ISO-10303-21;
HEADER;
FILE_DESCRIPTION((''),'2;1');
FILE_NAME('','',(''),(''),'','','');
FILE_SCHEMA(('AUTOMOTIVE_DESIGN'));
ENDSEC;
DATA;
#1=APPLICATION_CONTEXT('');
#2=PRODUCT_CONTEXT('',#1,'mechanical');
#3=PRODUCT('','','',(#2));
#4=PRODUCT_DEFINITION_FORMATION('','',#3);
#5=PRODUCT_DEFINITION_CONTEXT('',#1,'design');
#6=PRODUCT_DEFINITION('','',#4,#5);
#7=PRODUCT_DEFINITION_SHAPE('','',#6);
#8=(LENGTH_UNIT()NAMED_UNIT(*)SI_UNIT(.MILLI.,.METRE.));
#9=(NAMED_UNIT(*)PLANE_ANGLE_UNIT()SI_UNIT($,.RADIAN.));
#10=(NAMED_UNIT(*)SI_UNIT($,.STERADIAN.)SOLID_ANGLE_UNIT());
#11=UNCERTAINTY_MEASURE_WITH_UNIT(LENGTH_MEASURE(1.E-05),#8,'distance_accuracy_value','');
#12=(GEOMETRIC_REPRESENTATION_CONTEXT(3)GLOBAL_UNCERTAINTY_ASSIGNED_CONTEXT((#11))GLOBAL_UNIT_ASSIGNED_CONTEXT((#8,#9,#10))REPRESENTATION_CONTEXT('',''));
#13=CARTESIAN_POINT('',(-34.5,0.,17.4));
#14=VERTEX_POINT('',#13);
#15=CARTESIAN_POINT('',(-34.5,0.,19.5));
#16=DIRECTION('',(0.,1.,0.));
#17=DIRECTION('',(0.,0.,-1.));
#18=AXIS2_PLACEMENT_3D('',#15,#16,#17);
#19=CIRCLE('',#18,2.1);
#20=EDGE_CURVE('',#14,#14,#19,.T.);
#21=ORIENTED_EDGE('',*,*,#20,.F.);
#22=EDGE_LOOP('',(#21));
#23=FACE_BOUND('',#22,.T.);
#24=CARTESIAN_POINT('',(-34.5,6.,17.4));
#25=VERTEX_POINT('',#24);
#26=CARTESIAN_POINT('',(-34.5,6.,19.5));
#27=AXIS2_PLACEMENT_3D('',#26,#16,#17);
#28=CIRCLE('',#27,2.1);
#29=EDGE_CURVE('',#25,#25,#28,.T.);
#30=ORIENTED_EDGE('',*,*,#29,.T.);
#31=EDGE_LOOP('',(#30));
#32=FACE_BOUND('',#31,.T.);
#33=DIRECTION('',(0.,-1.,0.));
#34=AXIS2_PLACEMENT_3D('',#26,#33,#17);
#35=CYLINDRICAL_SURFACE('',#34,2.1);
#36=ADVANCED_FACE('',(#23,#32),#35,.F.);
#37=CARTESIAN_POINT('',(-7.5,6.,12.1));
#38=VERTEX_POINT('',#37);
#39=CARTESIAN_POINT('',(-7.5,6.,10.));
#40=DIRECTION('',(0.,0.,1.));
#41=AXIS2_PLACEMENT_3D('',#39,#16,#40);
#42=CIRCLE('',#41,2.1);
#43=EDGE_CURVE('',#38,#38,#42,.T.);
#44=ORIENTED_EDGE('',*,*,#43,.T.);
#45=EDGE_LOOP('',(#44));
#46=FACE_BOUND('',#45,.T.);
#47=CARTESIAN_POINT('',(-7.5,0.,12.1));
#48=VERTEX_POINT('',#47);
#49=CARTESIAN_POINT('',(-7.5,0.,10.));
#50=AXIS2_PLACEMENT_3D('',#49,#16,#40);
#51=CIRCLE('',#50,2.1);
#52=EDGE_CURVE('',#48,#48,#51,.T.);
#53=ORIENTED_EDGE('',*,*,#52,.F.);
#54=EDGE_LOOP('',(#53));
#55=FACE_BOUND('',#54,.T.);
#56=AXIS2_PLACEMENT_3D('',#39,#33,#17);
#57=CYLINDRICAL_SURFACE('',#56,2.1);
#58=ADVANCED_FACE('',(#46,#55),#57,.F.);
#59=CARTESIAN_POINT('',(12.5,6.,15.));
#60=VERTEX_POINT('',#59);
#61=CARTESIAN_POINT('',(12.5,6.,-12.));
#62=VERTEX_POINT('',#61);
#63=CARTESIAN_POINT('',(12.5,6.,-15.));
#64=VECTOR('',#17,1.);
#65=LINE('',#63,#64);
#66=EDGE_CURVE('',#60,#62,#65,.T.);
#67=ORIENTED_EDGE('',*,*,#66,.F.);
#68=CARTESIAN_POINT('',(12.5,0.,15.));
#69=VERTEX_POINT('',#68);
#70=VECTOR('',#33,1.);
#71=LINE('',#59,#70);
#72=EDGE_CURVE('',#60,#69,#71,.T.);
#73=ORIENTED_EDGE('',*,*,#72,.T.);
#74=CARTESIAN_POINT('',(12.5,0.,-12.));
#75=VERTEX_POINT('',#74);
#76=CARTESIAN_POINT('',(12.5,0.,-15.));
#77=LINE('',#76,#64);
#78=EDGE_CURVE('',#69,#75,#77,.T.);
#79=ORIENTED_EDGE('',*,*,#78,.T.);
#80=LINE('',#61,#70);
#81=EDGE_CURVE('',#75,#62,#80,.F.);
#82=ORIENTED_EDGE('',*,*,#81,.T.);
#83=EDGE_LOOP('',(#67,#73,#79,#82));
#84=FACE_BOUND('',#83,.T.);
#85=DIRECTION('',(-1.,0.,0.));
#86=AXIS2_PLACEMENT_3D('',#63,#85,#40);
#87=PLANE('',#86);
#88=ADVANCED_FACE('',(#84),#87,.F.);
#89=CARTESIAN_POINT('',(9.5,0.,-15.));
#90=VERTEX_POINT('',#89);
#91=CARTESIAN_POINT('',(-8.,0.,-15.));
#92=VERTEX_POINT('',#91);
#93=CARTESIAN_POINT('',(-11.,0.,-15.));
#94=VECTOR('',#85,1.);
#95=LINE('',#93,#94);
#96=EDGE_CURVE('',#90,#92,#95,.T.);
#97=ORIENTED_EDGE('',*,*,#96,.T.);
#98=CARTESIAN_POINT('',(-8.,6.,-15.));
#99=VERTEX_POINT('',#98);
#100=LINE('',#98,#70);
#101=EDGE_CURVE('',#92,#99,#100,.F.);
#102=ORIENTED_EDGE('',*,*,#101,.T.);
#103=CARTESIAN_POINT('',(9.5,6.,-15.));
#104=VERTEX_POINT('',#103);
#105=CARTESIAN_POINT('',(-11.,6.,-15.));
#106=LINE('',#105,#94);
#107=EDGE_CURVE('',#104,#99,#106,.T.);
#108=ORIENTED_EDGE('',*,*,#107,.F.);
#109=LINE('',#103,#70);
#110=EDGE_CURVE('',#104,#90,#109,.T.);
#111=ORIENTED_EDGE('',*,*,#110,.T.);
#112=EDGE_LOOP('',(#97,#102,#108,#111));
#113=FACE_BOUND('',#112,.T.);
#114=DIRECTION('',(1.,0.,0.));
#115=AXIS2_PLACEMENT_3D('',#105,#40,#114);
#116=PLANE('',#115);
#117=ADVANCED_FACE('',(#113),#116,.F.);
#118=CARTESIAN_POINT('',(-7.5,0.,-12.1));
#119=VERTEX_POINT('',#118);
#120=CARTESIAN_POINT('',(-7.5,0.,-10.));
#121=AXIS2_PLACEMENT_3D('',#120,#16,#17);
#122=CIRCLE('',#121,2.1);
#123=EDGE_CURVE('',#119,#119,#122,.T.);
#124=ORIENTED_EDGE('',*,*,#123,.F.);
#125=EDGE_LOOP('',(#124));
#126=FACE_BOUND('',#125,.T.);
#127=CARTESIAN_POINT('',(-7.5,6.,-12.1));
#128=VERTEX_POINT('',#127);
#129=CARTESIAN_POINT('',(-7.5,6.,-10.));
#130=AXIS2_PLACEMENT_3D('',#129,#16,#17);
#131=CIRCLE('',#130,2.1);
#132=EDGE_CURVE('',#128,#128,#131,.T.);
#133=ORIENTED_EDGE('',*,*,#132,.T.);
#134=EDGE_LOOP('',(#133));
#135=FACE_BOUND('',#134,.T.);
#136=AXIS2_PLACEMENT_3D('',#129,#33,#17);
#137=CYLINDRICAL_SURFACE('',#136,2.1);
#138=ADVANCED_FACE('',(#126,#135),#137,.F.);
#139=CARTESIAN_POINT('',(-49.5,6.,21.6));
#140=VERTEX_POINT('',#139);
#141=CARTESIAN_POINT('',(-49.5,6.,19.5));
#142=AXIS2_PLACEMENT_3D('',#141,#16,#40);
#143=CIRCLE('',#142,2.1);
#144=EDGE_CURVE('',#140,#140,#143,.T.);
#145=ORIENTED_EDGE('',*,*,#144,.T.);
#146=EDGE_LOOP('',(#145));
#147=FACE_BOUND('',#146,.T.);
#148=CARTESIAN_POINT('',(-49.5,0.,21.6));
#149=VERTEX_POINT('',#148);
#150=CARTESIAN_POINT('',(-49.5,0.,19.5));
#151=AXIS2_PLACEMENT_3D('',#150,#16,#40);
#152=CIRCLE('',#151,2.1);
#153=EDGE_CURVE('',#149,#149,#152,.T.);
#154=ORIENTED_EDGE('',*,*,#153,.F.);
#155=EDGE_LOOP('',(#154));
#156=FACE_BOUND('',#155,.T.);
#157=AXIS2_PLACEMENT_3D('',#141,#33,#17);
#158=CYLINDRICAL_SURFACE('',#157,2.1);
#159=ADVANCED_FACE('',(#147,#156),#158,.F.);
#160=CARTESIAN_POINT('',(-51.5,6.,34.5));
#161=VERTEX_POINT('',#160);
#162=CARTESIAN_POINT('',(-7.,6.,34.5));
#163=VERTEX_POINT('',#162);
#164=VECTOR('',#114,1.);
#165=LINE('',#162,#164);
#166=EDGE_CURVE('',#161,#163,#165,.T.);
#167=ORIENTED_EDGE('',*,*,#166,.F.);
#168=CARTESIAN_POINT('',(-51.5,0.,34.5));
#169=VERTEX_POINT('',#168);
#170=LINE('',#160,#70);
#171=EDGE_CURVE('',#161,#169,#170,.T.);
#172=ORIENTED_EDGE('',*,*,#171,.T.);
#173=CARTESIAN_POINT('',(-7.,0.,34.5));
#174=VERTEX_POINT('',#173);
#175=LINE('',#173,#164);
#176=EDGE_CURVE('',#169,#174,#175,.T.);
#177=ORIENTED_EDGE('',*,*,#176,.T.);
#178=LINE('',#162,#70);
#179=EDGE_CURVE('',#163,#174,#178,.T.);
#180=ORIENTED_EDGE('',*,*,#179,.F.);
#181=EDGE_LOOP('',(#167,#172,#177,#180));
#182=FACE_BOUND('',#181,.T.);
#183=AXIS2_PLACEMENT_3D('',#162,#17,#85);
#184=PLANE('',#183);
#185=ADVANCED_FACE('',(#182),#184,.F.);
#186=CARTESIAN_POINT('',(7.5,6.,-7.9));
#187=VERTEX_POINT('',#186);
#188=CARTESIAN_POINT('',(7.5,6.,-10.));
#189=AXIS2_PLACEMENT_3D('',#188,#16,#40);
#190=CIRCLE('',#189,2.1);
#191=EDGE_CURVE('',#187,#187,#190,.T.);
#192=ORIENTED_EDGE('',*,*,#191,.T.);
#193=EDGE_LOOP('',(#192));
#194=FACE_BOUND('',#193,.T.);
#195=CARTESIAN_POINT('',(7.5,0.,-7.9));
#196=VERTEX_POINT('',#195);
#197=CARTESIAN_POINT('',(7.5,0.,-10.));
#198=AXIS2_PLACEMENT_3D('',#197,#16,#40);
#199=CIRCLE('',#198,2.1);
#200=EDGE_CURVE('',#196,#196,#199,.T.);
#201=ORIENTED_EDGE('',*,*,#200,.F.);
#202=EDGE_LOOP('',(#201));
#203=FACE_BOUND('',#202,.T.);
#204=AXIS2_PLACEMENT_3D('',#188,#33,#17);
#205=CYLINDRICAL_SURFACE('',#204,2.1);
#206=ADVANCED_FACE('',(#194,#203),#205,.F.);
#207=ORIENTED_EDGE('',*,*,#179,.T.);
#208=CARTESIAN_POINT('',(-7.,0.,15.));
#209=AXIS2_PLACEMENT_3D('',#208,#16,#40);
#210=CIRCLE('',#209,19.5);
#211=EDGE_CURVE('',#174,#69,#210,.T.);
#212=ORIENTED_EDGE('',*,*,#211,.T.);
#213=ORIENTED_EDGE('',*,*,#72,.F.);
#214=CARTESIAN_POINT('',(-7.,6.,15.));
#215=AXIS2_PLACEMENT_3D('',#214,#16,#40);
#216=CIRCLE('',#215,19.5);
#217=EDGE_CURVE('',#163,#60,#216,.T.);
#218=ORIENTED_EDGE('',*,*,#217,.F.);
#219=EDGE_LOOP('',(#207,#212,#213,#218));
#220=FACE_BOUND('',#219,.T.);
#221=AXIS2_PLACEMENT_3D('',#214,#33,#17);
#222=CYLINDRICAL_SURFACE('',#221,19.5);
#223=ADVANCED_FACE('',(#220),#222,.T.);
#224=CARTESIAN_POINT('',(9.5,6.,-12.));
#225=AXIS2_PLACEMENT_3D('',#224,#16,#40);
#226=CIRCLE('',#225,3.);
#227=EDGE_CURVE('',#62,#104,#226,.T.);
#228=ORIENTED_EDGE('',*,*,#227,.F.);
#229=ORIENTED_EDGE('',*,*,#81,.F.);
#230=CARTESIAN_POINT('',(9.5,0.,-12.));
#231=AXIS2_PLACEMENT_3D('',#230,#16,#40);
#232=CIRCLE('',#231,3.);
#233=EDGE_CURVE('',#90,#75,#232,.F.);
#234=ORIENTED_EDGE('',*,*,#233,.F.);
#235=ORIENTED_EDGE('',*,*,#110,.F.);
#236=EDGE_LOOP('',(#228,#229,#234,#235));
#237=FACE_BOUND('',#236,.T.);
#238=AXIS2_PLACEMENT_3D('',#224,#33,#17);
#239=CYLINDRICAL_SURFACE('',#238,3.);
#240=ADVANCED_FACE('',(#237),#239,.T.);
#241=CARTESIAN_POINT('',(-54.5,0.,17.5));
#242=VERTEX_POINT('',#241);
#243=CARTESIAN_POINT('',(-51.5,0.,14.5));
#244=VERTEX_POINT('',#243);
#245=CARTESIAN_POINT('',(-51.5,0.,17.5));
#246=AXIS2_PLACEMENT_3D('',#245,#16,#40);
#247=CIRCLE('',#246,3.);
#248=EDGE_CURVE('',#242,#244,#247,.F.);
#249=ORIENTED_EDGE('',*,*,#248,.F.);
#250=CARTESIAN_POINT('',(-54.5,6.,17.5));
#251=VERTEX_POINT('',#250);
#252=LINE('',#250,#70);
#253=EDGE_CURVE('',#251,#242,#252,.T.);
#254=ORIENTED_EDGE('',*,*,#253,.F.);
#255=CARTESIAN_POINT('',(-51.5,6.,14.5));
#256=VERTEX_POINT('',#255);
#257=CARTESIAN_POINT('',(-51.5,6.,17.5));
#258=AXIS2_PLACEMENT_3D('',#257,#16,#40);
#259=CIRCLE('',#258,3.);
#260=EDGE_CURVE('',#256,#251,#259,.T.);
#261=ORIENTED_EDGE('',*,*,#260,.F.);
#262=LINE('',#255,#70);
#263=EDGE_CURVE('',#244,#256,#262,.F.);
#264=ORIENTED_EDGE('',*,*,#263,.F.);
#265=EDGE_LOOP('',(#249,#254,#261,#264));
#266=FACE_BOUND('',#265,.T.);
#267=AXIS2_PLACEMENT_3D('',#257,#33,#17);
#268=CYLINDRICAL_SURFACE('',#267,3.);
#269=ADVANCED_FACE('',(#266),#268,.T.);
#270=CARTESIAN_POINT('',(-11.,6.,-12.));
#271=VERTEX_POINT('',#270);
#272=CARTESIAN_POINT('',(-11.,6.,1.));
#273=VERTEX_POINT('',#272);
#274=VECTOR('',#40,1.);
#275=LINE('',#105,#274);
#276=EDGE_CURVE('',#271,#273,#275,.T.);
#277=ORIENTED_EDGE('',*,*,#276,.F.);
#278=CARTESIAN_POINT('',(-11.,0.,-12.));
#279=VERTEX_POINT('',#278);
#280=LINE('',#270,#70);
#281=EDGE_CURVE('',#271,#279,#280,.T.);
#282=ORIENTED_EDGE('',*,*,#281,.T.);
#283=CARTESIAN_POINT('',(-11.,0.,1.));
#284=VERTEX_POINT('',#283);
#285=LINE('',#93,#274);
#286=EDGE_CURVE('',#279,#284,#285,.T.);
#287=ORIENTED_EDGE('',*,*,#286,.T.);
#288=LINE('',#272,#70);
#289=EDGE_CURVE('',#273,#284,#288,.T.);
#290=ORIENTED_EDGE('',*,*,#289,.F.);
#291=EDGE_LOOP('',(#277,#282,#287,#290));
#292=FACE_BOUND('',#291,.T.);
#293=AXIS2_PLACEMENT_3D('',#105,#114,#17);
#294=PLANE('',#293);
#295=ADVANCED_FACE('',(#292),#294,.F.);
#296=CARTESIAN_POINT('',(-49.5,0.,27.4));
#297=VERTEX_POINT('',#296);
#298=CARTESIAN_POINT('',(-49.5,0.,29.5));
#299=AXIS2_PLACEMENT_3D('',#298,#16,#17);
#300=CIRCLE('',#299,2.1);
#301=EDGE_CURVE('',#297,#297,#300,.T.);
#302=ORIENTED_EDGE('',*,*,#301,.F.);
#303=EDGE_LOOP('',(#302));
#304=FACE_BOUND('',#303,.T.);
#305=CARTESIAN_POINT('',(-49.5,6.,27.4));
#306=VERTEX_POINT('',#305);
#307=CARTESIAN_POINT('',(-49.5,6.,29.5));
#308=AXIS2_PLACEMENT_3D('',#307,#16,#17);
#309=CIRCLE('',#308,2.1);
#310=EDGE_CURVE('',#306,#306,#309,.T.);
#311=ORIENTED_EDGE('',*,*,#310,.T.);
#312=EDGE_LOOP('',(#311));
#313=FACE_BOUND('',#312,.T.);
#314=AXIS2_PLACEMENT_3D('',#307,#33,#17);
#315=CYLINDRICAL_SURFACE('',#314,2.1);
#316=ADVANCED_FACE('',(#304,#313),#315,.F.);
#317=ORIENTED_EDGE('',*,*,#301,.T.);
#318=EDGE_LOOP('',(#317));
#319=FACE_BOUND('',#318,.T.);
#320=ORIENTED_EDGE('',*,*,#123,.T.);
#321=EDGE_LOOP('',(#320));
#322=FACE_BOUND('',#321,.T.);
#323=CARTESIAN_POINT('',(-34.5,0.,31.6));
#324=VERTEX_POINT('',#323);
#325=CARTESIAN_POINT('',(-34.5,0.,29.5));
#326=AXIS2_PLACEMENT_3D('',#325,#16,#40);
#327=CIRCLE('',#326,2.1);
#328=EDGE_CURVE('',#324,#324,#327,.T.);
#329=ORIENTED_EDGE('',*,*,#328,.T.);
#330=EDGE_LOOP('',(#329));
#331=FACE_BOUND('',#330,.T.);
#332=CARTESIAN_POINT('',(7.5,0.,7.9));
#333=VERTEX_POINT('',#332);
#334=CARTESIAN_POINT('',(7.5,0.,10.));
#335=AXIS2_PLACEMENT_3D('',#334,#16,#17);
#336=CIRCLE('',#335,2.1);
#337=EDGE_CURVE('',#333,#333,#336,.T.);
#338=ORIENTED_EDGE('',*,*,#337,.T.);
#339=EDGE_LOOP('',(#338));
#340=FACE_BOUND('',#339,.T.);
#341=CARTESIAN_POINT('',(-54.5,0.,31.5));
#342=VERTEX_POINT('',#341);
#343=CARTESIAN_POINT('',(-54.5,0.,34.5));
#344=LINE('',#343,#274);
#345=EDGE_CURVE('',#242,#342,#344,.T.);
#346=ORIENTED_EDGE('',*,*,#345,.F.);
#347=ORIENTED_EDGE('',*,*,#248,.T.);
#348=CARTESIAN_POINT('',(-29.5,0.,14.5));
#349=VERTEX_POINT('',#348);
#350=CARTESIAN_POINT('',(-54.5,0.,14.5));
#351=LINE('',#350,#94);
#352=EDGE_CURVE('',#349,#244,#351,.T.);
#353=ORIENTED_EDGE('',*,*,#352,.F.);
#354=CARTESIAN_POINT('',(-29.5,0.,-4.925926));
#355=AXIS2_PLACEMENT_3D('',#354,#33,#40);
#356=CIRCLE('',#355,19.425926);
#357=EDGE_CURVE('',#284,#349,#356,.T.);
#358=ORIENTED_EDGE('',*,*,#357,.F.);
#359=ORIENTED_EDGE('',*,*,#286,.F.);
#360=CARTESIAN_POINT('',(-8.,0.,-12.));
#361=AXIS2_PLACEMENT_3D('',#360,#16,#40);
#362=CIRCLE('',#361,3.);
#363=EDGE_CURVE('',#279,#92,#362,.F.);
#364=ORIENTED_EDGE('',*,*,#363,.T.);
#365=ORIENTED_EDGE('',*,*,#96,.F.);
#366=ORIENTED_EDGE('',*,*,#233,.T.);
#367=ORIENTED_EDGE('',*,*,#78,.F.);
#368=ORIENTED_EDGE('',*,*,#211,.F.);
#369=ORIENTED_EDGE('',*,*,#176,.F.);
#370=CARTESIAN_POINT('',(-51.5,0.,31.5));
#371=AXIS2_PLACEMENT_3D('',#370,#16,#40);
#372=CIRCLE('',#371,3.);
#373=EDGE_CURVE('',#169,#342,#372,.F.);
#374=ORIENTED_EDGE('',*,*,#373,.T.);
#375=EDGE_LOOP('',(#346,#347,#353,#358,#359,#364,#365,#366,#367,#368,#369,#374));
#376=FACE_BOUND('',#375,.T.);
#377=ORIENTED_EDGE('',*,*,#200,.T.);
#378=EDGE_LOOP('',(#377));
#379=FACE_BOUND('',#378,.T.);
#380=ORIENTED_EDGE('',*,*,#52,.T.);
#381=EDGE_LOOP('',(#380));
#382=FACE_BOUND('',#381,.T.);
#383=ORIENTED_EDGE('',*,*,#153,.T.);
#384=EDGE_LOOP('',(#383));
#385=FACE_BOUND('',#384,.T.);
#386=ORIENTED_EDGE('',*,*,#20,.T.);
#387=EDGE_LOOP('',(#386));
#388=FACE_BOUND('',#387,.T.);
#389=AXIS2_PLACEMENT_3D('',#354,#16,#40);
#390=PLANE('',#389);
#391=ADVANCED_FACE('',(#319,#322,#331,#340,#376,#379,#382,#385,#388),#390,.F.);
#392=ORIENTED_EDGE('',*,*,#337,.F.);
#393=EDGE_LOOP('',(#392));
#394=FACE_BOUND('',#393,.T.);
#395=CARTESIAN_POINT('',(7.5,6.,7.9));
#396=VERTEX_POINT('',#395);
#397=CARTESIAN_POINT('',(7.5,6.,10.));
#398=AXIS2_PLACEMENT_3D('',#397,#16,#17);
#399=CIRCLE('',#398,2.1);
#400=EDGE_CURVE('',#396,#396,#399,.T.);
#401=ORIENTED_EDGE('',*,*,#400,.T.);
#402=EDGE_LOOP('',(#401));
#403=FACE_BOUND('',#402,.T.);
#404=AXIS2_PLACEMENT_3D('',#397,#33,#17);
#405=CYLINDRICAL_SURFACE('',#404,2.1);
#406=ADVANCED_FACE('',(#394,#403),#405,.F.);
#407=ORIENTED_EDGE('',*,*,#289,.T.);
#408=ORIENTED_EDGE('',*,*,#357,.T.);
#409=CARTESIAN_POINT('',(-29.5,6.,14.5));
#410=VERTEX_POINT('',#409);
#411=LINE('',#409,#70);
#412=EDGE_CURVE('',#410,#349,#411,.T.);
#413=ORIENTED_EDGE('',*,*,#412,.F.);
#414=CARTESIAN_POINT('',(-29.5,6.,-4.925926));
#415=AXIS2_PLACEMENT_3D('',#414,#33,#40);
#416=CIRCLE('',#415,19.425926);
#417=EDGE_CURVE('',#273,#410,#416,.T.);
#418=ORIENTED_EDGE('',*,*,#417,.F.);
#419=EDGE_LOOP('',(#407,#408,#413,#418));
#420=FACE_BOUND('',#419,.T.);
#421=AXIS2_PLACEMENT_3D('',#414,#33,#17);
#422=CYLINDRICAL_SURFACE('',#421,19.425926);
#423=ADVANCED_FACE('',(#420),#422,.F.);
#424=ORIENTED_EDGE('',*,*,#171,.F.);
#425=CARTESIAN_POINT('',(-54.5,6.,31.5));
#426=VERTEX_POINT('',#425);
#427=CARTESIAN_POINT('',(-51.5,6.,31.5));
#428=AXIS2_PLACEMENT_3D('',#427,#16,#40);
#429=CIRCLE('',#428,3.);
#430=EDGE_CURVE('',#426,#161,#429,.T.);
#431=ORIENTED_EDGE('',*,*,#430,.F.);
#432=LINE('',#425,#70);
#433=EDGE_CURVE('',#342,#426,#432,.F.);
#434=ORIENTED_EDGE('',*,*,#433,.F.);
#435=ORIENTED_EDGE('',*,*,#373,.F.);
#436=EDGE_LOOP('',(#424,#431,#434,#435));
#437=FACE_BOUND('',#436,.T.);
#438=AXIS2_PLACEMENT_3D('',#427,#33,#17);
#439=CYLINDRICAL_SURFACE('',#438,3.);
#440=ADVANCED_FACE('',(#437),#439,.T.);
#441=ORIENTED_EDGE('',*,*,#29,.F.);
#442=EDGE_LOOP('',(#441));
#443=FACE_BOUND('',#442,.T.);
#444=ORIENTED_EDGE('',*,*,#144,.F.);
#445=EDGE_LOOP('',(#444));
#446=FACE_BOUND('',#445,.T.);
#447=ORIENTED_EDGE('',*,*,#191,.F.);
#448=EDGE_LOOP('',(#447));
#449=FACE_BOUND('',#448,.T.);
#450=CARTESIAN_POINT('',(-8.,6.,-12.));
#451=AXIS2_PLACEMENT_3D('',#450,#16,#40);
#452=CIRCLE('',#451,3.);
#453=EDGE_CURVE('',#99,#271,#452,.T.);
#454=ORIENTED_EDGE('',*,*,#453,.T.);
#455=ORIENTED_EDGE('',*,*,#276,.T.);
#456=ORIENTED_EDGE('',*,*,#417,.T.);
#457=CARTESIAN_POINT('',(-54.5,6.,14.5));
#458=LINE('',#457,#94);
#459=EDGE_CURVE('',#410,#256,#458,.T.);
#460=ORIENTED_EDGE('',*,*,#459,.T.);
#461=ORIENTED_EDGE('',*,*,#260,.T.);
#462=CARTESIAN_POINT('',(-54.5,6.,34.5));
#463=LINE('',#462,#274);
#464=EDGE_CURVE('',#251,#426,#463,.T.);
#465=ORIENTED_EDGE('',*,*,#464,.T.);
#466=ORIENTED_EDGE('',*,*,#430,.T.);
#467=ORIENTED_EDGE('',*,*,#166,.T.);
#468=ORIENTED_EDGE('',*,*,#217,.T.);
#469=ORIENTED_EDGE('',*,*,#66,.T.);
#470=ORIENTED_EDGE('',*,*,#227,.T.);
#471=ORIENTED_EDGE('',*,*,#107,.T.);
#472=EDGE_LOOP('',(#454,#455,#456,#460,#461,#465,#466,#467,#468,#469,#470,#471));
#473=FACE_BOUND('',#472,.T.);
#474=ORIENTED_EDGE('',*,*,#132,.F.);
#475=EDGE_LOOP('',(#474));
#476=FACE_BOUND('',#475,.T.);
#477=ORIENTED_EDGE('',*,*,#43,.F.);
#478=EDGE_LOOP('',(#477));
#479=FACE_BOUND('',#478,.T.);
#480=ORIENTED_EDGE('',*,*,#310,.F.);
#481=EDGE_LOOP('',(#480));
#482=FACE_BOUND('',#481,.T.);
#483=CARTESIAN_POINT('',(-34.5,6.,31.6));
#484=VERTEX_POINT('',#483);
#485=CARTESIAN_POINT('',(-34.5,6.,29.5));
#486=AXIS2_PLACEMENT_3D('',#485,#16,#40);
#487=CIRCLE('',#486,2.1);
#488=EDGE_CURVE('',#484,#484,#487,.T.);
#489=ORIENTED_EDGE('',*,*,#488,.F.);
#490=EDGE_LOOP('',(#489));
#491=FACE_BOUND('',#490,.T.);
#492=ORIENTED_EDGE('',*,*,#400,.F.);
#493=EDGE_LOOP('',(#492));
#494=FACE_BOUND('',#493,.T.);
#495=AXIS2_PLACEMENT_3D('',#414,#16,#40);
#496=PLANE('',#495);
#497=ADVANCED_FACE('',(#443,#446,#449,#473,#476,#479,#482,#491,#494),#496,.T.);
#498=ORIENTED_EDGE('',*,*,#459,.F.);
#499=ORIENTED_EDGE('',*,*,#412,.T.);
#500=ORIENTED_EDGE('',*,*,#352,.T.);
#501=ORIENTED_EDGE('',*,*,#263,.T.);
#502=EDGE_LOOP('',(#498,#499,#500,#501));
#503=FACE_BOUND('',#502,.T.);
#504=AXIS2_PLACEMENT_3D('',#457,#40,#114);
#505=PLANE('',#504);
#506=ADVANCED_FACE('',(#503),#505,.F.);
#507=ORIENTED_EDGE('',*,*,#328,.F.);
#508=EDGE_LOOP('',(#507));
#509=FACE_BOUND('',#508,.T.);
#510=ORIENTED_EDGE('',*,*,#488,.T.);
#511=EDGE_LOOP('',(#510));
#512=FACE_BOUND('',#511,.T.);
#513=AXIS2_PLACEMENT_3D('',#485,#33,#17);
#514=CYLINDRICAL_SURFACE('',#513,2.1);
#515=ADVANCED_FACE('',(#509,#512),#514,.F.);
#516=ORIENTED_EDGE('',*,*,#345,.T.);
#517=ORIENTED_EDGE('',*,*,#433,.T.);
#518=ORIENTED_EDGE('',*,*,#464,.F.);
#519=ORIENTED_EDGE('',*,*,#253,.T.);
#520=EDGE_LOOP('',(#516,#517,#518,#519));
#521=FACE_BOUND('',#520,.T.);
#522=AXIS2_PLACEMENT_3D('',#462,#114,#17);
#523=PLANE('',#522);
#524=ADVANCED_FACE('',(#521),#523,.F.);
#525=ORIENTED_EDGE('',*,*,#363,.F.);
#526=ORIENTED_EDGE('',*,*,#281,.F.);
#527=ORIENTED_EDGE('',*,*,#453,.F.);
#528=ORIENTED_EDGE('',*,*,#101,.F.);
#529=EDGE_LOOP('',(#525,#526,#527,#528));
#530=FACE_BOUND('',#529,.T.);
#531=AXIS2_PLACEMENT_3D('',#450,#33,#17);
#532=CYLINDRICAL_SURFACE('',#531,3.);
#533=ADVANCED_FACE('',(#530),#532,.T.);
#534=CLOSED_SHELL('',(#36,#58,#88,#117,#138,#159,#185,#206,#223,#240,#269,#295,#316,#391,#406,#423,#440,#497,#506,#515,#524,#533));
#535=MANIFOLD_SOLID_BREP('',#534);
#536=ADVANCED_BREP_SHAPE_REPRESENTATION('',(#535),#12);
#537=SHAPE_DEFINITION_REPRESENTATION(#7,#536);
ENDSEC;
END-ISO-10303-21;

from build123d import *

# Parameters (mm, degrees)
SKETCH_1_R      = 2.1
EXTRUDE_1_DEPTH = 6
FILLET_1_R      = 3


with BuildPart() as part:
    # 草图1 → 凸台-拉伸1 (new body)
    with BuildSketch(Plane(origin=(0, 0, 0), x_dir=(1, 0, 0), z_dir=(0, 1, 0))):
        with BuildLine():
            Line((-11, 15), (12.5, 15))
            Line((12.5, 15), (12.5, -15))
            ThreePointArc((12.5, -15), (6.788582233, -28.788582233), (-7, -34.5))
            Line((-7, -34.5), (-54.5, -34.5))
            Line((-54.5, -34.5), (-54.5, -14.5))
            Line((-54.5, -14.5), (-29.5, -14.5))
            ThreePointArc((-29.5, -14.5), (-18.049017509, -10.766161191), (-11, -1))
            Line((-11, -1), (-11, 15))
        make_face()
        with Locations((-49.5, -19.5)):
            Circle(SKETCH_1_R, mode=Mode.SUBTRACT)
        with Locations((-7.5, -10)):
            Circle(SKETCH_1_R, mode=Mode.SUBTRACT)
        with Locations((-34.5, -19.5)):
            Circle(SKETCH_1_R, mode=Mode.SUBTRACT)
        with Locations((-34.5, -29.5)):
            Circle(SKETCH_1_R, mode=Mode.SUBTRACT)
        with Locations((-49.5, -29.5)):
            Circle(SKETCH_1_R, mode=Mode.SUBTRACT)
        with Locations((7.5, -10)):
            Circle(SKETCH_1_R, mode=Mode.SUBTRACT)
        with Locations((7.5, 10)):
            Circle(SKETCH_1_R, mode=Mode.SUBTRACT)
        with Locations((-7.5, 10)):
            Circle(SKETCH_1_R, mode=Mode.SUBTRACT)
    extrude(amount=EXTRUDE_1_DEPTH)

    # 圆角1
    fillet_1_edges = [part.edges().sort_by_distance(p)[0] for p in [
        (-11, 3, -15),
        (12.5, 3, -15),
        (-54.5, 3, 34.5),
        (-54.5, 3, 14.5),
    ]]
    fillet(fillet_1_edges, radius=FILLET_1_R)


solid = part.part
